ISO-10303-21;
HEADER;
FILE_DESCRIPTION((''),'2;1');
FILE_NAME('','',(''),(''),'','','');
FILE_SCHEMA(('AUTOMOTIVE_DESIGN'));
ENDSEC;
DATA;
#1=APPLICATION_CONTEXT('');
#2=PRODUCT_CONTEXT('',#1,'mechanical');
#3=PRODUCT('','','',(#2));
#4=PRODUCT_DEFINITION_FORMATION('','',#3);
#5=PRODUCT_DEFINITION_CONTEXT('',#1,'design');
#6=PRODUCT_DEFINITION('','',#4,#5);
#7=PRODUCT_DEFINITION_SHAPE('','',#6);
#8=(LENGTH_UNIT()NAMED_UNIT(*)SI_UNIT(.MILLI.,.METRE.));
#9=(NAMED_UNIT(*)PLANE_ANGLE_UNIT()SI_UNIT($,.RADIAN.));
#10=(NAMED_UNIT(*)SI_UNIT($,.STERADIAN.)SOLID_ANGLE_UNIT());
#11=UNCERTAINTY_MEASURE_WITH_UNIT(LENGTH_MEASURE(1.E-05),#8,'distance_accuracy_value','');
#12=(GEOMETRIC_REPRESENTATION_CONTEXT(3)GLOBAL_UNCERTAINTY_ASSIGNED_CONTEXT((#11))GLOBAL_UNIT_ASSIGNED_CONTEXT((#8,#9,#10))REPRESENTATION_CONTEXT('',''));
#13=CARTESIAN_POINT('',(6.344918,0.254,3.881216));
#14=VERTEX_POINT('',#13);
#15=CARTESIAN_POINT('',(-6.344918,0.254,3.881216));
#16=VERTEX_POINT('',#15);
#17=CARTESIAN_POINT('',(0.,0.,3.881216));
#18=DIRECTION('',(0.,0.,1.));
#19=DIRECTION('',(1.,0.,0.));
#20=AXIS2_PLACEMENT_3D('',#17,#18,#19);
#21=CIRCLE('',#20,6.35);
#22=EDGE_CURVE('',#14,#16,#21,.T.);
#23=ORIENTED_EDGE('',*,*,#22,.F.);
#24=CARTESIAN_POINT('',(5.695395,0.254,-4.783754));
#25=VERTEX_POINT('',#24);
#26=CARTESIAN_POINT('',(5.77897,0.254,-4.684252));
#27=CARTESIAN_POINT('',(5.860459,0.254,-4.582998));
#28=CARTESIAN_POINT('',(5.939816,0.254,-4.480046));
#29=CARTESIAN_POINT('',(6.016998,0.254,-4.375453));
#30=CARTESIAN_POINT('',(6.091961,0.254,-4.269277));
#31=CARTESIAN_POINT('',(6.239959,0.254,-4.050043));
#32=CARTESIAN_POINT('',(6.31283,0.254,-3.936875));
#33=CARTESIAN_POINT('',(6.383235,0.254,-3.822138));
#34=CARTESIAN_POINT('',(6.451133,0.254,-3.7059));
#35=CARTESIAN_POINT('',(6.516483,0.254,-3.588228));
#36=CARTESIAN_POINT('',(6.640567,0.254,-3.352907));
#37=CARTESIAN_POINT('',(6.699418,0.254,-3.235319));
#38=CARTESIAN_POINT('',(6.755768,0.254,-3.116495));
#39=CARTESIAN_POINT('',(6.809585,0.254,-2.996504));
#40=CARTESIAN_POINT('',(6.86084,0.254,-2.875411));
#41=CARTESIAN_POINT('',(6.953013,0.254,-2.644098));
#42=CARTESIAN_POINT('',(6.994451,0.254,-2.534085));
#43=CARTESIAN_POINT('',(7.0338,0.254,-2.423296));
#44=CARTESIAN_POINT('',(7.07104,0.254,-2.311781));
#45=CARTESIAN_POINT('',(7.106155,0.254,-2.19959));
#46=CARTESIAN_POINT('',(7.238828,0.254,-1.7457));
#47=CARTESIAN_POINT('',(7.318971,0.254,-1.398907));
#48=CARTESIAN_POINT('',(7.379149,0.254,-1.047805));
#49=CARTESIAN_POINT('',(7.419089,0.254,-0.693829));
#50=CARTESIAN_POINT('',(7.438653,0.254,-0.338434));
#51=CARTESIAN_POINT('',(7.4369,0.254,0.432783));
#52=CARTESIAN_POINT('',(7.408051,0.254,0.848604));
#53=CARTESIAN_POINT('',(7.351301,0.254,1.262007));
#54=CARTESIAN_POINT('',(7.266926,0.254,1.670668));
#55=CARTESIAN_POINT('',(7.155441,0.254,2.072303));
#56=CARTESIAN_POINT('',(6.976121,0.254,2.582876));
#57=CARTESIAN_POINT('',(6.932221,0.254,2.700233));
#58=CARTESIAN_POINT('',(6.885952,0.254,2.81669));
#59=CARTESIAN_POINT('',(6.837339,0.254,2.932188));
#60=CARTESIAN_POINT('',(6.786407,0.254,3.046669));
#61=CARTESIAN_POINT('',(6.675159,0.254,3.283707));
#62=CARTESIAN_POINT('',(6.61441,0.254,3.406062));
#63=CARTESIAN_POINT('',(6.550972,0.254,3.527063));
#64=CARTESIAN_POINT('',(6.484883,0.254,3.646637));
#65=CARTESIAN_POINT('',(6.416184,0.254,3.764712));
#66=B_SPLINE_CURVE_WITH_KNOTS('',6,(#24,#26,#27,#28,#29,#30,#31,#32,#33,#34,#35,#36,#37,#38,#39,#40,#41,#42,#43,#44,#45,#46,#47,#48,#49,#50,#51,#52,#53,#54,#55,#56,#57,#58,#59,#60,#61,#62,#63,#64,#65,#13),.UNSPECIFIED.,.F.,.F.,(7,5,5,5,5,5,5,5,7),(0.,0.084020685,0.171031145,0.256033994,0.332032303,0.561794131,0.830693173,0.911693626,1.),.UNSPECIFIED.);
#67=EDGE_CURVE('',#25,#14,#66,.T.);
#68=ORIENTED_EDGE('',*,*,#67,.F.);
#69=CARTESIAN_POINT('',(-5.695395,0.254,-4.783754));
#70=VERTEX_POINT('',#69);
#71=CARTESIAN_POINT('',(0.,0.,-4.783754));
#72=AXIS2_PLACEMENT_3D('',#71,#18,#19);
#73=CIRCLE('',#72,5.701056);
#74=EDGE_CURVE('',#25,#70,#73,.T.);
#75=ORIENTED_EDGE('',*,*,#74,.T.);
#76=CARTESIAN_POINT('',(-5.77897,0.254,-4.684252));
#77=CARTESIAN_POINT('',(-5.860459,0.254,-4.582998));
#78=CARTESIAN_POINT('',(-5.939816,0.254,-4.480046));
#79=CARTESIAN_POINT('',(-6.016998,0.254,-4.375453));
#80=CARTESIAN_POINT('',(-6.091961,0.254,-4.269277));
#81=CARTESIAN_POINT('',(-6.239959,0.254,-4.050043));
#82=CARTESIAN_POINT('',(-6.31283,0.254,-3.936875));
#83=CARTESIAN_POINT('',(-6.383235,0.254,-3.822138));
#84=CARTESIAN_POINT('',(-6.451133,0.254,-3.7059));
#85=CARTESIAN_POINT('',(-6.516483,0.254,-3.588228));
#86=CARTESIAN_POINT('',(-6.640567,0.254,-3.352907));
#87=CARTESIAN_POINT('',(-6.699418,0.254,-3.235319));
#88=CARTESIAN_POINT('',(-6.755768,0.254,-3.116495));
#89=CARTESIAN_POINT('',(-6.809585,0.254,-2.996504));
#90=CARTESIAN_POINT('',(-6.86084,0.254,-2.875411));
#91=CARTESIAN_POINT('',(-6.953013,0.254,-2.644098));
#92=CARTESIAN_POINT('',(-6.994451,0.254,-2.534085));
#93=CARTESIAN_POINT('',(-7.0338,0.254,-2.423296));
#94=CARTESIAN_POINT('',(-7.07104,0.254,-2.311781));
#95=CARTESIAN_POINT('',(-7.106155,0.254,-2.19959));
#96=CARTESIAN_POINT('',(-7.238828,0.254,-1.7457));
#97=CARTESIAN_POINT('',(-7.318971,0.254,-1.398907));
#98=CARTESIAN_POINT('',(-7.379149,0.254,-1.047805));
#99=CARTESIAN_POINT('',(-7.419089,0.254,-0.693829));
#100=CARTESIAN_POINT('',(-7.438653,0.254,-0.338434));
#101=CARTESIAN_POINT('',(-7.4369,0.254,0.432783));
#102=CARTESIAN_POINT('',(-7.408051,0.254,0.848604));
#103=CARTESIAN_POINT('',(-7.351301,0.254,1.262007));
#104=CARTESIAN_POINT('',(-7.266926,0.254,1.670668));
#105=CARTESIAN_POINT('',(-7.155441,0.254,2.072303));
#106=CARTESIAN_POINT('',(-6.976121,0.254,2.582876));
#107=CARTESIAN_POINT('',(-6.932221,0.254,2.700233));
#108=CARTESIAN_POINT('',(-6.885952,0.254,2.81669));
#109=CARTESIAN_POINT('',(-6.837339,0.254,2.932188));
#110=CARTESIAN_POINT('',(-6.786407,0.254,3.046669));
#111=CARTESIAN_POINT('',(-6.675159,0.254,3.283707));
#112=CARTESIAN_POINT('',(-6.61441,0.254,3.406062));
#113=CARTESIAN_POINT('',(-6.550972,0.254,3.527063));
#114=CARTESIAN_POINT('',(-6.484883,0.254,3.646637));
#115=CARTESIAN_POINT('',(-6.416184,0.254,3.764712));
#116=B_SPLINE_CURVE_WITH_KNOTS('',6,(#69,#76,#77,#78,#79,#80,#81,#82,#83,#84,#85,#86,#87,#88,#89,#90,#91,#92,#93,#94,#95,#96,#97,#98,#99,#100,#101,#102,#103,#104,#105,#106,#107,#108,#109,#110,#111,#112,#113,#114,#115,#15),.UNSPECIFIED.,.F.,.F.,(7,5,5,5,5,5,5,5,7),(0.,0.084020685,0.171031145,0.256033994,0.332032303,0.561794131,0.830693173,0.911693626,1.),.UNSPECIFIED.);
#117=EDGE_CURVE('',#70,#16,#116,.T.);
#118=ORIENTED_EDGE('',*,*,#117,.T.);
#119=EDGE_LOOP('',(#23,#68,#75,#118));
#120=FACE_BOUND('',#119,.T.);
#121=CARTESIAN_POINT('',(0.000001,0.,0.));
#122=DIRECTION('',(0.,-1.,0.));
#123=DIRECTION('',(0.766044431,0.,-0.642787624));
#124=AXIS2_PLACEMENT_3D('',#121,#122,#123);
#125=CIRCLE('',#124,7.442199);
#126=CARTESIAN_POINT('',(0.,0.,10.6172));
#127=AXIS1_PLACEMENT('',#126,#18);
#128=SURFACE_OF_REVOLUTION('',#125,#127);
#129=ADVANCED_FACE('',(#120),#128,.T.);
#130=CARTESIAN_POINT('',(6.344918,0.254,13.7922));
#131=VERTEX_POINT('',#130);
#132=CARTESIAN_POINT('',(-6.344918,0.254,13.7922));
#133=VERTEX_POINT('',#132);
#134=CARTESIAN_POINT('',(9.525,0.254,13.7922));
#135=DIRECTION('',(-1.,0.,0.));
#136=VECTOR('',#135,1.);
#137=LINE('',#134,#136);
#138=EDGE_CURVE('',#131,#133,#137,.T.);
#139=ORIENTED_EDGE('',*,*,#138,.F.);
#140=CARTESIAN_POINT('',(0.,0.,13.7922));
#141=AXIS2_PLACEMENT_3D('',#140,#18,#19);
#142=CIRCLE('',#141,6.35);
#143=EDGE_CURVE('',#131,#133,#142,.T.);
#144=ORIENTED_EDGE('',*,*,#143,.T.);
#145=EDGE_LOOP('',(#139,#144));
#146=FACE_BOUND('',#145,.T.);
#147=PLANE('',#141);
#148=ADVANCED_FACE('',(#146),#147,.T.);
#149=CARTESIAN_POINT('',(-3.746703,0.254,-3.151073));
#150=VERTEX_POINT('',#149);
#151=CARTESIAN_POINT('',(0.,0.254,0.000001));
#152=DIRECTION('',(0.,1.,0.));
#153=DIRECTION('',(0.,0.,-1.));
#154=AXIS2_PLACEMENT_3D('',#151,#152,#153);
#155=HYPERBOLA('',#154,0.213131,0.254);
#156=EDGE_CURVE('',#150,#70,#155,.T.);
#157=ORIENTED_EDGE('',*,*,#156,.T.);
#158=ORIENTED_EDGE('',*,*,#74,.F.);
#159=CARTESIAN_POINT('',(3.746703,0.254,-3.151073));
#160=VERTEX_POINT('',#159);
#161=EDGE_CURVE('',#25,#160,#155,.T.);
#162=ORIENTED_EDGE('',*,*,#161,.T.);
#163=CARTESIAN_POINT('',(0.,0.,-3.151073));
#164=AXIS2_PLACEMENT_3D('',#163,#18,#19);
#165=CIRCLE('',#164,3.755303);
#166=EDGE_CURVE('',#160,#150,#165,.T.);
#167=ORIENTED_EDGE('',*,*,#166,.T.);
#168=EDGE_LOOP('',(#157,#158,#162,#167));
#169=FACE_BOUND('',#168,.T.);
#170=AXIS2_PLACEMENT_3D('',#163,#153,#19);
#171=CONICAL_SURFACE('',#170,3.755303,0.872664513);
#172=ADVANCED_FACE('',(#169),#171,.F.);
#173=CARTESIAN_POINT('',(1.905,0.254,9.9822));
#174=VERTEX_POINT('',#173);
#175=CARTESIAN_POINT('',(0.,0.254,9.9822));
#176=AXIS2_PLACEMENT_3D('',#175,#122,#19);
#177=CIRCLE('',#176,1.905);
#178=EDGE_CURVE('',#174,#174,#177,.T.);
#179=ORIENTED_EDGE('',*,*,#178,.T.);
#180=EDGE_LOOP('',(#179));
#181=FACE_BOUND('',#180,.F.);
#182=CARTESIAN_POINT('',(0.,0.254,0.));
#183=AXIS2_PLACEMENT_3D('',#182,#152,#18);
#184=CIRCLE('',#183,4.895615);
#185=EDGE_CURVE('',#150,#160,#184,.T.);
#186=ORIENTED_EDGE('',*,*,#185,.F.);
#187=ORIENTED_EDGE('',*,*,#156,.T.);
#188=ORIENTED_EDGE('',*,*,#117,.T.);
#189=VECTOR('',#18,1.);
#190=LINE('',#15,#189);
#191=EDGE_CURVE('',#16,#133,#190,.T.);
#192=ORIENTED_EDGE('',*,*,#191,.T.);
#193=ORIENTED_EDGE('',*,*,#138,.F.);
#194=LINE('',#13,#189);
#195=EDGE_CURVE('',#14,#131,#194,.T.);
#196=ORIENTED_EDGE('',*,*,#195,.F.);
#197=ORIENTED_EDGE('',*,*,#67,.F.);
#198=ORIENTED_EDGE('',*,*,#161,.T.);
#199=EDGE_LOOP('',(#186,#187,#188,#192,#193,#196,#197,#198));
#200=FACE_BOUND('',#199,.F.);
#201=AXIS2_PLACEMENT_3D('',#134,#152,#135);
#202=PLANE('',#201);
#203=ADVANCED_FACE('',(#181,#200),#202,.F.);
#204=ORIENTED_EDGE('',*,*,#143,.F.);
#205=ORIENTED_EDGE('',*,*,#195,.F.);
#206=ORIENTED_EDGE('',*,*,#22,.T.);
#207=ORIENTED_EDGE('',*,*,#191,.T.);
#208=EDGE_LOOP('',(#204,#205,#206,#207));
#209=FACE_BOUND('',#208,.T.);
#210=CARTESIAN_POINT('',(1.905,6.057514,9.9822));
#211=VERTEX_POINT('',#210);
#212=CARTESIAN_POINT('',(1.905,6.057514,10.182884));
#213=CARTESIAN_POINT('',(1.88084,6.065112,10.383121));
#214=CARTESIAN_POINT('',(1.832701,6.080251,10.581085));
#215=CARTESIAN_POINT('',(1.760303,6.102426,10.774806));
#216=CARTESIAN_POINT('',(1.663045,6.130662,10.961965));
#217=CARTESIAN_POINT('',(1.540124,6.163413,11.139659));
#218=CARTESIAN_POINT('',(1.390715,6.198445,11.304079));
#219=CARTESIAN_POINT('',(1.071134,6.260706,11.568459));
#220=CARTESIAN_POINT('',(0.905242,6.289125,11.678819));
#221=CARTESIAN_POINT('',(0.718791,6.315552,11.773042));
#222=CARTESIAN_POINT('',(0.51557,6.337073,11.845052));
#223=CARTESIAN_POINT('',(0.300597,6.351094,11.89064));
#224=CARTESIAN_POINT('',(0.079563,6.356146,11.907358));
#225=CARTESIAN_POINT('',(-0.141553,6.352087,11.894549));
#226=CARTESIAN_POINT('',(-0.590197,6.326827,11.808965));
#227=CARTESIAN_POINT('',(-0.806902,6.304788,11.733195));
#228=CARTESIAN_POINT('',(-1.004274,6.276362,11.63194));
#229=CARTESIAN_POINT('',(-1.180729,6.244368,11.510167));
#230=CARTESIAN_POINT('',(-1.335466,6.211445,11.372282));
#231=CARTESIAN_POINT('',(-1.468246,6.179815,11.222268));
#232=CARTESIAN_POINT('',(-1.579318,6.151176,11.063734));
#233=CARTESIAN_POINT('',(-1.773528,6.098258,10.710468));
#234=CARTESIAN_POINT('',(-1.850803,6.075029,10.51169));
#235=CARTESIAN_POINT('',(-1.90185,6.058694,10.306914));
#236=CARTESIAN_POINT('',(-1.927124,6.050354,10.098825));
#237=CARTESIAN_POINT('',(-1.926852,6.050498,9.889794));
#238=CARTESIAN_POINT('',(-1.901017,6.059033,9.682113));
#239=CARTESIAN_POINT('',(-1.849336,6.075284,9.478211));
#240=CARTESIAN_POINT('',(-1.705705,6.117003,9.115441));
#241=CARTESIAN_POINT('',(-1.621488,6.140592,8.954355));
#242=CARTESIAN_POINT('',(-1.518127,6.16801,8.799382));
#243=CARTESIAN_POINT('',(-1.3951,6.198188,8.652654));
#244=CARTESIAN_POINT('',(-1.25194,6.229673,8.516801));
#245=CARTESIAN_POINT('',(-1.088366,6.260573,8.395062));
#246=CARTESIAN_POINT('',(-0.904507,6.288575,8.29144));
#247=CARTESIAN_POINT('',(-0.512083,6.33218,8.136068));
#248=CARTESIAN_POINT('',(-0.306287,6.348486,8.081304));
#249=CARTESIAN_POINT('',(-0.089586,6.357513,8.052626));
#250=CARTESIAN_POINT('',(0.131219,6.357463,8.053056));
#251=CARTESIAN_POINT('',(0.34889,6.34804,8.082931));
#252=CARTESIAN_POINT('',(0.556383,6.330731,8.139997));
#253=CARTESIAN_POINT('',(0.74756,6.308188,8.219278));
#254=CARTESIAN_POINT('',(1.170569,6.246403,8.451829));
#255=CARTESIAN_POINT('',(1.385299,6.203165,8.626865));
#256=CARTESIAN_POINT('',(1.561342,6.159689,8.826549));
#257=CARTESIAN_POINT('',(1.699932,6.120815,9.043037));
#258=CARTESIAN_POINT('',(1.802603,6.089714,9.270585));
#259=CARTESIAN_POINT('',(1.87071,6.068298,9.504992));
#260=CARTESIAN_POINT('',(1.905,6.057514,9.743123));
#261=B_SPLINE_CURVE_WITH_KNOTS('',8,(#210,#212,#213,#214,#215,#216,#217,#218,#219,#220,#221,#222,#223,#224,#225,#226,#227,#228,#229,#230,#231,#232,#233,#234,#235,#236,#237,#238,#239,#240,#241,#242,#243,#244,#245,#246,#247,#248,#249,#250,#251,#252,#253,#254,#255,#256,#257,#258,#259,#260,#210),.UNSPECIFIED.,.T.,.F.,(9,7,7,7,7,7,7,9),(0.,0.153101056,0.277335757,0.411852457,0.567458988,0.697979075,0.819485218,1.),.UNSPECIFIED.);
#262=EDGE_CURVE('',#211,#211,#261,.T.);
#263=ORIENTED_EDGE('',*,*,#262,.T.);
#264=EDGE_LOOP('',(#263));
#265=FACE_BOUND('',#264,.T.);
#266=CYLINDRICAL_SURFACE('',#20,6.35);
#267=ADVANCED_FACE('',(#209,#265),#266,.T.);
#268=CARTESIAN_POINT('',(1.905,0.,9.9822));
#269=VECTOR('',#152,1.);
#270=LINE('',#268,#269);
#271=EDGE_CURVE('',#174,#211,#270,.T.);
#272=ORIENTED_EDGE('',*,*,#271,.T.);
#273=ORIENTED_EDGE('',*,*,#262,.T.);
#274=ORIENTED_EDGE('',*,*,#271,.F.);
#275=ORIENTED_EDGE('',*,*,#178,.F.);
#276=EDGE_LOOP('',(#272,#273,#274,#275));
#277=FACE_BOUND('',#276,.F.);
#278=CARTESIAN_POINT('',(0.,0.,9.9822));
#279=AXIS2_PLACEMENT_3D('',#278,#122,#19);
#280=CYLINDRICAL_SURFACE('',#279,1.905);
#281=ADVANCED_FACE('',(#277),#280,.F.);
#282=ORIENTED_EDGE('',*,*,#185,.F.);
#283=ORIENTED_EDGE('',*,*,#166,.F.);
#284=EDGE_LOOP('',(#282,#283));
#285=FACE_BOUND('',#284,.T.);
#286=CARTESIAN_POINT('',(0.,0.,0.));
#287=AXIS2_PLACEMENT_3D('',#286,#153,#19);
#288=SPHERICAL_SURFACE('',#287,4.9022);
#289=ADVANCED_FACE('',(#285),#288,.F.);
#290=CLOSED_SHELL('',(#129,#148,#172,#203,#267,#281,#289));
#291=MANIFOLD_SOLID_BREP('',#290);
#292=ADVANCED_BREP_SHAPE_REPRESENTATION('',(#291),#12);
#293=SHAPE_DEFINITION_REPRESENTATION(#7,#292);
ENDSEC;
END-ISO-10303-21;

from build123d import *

# Parameters (mm, degrees)
F1_ANGLE = 180
F3_R     = 1.905
F4_DEPTH = 7.4432
F6_DEPTH = 18.576954


with BuildPart() as f1:
    # F0 (on Front) → F1 (revolve)
    with BuildSketch(Plane.XZ):
        with BuildLine():
            ThreePointArc((0, 4.9022), (4.442902, 2.071759), (3.755303, -3.151073))
            Line((3.755303, -3.151073), (5.701056, -4.783754))
            ThreePointArc((5.701056, -4.783754), (7.421416, -0.555811), (6.35, 3.881216))
            Line((6.35, 3.881216), (6.35, 7.3025))
            Line((6.35, 7.3025), (6.35, 13.7922))
            Line((6.35, 13.7922), (0, 13.7922))
            Line((0, 13.7922), (0, 7.4422))
            Line((0, 7.4422), (0, 4.9022))
        make_face()
    revolve(axis=Axis((0, 0, 10.6172), (0, 0, 1)), revolution_arc=F1_ANGLE)

    # F3 (on face) → F4 (cut, through all)
    with BuildSketch(Plane.XZ):
        with Locations((0, 9.9822)):
            Circle(F3_R)
    extrude(amount=-F4_DEPTH, mode=Mode.SUBTRACT)

    # F5 (on face) → F6 (cut, through all)
    with BuildSketch(Plane.XY.offset(13.7922)):
        with BuildLine():
            ThreePointArc((-6.344918, 0.254), (-6.348729, 0.127025), (-6.35, 0))
            Line((-6.35, 0), (6.35, 0))
            ThreePointArc((6.35, 0), (6.348729, 0.127025), (6.344918, 0.254))
            Line((6.344918, 0.254), (-6.344918, 0.254))
        make_face()
        with BuildLine():
            Line((-9.525, 0.254), (-9.525, 0))
            Line((-9.525, 0), (-6.35, 0))
            ThreePointArc((-6.35, 0), (-6.348729, 0.127025), (-6.344918, 0.254))
            Line((-6.344918, 0.254), (-9.525, 0.254))
        make_face()
        with BuildLine():
            ThreePointArc((6.344918, 0.254), (6.348729, 0.127025), (6.35, 0))
            Line((6.35, 0), (9.525, 0))
            Line((9.525, 0), (9.525, 0.254))
            Line((9.525, 0.254), (6.344918, 0.254))
        make_face()
    extrude(amount=-F6_DEPTH, mode=Mode.SUBTRACT)


solid = f1.part
